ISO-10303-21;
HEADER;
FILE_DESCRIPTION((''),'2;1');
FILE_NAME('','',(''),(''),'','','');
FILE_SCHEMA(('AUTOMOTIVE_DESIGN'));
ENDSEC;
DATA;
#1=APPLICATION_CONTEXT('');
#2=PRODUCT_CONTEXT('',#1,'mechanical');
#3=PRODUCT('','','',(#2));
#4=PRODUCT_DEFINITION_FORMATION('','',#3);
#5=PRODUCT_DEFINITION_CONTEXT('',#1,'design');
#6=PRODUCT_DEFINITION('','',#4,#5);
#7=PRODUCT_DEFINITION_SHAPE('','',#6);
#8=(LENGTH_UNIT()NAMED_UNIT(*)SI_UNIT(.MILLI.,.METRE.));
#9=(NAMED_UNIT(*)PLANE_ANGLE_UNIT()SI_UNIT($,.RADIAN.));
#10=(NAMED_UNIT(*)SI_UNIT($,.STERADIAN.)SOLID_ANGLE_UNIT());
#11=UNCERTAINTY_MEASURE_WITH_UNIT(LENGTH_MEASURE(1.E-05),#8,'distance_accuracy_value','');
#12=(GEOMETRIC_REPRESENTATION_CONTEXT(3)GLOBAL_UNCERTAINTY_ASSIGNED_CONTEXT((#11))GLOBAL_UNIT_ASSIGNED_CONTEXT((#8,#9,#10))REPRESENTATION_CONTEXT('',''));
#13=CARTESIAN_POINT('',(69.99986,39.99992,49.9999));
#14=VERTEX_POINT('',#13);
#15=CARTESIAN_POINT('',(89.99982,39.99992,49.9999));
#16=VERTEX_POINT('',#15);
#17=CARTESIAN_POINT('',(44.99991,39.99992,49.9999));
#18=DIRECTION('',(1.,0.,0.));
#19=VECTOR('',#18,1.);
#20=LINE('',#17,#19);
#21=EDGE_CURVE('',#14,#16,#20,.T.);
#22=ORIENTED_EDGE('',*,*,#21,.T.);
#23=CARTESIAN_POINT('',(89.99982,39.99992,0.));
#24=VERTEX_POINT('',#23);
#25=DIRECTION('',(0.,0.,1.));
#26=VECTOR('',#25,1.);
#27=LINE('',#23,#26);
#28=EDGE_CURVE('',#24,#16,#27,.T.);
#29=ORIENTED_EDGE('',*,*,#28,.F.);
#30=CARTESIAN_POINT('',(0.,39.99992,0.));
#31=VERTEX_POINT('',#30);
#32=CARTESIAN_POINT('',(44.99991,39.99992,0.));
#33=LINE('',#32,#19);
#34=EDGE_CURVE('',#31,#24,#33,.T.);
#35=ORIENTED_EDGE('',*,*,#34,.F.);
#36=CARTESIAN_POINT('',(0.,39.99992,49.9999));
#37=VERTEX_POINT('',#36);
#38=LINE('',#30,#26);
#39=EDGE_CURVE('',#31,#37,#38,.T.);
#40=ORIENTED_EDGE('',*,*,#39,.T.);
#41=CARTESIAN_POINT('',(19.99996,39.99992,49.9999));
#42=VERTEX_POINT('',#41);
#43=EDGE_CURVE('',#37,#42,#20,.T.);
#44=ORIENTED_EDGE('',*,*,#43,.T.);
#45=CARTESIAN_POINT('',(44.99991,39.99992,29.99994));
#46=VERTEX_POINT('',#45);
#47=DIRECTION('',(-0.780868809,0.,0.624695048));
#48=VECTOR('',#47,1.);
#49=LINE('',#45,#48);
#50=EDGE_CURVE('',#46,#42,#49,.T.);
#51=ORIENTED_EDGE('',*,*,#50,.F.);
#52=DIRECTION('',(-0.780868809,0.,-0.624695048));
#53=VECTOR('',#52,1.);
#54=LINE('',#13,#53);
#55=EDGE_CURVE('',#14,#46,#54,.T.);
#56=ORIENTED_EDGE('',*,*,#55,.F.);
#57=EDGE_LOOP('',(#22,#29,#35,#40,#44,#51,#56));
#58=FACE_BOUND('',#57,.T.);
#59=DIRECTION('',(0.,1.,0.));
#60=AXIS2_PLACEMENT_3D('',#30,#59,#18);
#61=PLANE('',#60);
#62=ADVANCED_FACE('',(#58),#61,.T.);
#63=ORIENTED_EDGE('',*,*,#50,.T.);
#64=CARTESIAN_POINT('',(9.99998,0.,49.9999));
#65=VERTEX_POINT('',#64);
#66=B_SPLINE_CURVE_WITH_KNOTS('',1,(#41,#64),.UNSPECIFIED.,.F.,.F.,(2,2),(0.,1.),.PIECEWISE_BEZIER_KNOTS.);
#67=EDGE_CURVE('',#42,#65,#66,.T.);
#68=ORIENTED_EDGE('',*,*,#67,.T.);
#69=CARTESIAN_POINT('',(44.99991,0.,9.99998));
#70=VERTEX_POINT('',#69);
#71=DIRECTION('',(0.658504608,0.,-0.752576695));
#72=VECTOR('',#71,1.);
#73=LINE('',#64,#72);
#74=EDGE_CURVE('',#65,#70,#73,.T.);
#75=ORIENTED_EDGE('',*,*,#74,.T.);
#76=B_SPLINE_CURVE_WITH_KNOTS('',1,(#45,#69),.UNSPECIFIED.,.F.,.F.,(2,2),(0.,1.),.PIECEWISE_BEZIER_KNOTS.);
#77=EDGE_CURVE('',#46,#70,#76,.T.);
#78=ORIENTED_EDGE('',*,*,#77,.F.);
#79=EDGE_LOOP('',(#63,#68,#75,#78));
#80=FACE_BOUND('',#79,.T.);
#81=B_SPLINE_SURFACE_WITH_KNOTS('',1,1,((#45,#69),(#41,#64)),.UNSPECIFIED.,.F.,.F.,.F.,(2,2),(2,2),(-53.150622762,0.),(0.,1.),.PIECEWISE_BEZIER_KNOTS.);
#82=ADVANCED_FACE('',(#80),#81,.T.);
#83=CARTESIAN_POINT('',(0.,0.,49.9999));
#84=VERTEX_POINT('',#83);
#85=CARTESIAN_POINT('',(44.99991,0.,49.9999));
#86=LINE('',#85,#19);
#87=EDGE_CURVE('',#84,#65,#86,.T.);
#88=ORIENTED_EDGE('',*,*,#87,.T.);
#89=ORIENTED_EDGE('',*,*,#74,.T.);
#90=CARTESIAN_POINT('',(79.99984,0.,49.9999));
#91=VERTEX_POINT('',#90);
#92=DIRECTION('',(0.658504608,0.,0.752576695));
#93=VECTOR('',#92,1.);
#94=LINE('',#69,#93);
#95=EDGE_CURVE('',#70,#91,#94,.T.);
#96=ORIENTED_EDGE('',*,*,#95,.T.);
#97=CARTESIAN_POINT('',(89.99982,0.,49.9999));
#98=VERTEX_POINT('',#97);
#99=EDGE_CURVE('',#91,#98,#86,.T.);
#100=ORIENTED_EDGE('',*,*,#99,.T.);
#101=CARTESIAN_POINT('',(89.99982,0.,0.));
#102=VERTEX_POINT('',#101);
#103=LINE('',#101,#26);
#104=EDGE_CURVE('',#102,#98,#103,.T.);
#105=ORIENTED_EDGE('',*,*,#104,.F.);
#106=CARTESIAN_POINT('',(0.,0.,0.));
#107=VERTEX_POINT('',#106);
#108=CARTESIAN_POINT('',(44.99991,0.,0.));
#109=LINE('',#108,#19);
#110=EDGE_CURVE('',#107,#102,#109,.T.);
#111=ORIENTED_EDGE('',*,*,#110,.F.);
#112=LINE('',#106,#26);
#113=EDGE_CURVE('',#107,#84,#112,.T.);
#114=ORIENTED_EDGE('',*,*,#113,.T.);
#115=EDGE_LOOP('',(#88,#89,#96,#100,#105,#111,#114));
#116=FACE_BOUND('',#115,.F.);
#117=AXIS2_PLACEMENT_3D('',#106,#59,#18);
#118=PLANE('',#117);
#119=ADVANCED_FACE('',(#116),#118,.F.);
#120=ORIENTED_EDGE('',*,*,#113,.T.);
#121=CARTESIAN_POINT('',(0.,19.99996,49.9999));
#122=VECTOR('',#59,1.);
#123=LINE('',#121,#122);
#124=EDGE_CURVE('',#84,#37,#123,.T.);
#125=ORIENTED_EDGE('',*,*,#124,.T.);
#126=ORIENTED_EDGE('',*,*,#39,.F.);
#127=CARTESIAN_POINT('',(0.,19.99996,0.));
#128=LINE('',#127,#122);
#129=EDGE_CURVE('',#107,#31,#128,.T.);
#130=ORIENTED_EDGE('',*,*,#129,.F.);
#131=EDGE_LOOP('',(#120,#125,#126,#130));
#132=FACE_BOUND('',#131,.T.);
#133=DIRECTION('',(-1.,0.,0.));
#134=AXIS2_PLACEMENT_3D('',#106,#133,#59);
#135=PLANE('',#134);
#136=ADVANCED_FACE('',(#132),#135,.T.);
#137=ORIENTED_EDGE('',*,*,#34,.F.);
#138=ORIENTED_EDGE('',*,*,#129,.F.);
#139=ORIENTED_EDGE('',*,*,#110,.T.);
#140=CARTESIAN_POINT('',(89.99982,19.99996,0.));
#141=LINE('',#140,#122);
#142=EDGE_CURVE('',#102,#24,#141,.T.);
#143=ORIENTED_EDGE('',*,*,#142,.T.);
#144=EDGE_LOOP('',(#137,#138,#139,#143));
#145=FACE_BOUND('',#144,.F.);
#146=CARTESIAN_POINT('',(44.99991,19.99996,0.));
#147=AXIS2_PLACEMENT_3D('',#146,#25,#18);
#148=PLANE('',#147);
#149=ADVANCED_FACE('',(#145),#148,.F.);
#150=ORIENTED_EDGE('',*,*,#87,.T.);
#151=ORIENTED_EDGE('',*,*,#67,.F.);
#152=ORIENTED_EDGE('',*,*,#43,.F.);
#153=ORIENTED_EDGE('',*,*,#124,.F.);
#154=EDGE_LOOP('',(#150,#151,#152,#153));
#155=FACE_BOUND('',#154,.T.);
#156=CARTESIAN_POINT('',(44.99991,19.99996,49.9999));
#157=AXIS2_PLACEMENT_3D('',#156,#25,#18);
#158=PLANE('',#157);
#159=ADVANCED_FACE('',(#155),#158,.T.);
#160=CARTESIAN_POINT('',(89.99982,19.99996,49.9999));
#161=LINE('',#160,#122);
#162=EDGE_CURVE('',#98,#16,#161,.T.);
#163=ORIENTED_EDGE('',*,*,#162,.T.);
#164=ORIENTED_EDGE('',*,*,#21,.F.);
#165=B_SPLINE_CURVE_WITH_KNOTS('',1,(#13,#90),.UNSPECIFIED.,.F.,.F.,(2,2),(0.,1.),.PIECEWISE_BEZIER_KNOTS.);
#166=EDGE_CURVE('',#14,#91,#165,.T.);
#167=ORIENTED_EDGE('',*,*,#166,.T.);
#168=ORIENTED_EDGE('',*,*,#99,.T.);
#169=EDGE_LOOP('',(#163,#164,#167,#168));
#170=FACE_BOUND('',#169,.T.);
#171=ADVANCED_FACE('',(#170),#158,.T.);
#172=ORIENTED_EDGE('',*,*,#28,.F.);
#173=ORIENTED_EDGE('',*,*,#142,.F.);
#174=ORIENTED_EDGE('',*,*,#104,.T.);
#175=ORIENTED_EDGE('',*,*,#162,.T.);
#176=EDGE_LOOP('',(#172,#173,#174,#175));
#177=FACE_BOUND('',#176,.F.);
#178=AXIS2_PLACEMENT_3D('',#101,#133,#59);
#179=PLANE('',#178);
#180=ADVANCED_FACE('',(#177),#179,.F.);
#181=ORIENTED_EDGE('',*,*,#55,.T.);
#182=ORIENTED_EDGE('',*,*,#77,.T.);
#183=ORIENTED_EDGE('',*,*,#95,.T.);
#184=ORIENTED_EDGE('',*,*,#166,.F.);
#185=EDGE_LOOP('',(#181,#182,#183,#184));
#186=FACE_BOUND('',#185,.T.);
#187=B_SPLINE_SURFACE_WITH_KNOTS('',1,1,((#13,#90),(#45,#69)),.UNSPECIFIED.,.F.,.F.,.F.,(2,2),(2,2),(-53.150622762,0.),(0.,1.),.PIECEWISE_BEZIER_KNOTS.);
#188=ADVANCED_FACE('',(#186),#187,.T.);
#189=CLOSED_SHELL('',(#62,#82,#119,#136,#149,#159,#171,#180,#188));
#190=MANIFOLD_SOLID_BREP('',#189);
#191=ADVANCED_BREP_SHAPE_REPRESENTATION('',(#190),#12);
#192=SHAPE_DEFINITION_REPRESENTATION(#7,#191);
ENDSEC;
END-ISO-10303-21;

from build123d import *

# Parameters (mm, degrees)
F0_W     = 89.99982
F0_H     = 39.99992
F1_DEPTH = 49.9999


with BuildPart() as f1:
    # F0 (on Top) → F1 (new body)
    with BuildSketch(Plane.XY):
        with Locations((44.99991, 19.99996)):
            Rectangle(F0_W, F0_H)
    extrude(amount=F1_DEPTH)

    # F3 (on face) → F4 section 0
    with BuildSketch(Plane(origin=(0, 39.99992, 0), x_dir=(-1, 0, 0), z_dir=(0, 1, 0))):
        Polygon((-44.99991, 29.99994), (-19.99996, 49.9999), (-69.99986, 49.9999), align=None)
    # F2 (on face) → F4 section 1
    with BuildSketch(Plane.XZ):
        Polygon((79.99984, 49.9999), (9.99998, 49.9999), (44.99991, 9.99998), align=None)
    loft(mode=Mode.SUBTRACT)


solid = f1.part
